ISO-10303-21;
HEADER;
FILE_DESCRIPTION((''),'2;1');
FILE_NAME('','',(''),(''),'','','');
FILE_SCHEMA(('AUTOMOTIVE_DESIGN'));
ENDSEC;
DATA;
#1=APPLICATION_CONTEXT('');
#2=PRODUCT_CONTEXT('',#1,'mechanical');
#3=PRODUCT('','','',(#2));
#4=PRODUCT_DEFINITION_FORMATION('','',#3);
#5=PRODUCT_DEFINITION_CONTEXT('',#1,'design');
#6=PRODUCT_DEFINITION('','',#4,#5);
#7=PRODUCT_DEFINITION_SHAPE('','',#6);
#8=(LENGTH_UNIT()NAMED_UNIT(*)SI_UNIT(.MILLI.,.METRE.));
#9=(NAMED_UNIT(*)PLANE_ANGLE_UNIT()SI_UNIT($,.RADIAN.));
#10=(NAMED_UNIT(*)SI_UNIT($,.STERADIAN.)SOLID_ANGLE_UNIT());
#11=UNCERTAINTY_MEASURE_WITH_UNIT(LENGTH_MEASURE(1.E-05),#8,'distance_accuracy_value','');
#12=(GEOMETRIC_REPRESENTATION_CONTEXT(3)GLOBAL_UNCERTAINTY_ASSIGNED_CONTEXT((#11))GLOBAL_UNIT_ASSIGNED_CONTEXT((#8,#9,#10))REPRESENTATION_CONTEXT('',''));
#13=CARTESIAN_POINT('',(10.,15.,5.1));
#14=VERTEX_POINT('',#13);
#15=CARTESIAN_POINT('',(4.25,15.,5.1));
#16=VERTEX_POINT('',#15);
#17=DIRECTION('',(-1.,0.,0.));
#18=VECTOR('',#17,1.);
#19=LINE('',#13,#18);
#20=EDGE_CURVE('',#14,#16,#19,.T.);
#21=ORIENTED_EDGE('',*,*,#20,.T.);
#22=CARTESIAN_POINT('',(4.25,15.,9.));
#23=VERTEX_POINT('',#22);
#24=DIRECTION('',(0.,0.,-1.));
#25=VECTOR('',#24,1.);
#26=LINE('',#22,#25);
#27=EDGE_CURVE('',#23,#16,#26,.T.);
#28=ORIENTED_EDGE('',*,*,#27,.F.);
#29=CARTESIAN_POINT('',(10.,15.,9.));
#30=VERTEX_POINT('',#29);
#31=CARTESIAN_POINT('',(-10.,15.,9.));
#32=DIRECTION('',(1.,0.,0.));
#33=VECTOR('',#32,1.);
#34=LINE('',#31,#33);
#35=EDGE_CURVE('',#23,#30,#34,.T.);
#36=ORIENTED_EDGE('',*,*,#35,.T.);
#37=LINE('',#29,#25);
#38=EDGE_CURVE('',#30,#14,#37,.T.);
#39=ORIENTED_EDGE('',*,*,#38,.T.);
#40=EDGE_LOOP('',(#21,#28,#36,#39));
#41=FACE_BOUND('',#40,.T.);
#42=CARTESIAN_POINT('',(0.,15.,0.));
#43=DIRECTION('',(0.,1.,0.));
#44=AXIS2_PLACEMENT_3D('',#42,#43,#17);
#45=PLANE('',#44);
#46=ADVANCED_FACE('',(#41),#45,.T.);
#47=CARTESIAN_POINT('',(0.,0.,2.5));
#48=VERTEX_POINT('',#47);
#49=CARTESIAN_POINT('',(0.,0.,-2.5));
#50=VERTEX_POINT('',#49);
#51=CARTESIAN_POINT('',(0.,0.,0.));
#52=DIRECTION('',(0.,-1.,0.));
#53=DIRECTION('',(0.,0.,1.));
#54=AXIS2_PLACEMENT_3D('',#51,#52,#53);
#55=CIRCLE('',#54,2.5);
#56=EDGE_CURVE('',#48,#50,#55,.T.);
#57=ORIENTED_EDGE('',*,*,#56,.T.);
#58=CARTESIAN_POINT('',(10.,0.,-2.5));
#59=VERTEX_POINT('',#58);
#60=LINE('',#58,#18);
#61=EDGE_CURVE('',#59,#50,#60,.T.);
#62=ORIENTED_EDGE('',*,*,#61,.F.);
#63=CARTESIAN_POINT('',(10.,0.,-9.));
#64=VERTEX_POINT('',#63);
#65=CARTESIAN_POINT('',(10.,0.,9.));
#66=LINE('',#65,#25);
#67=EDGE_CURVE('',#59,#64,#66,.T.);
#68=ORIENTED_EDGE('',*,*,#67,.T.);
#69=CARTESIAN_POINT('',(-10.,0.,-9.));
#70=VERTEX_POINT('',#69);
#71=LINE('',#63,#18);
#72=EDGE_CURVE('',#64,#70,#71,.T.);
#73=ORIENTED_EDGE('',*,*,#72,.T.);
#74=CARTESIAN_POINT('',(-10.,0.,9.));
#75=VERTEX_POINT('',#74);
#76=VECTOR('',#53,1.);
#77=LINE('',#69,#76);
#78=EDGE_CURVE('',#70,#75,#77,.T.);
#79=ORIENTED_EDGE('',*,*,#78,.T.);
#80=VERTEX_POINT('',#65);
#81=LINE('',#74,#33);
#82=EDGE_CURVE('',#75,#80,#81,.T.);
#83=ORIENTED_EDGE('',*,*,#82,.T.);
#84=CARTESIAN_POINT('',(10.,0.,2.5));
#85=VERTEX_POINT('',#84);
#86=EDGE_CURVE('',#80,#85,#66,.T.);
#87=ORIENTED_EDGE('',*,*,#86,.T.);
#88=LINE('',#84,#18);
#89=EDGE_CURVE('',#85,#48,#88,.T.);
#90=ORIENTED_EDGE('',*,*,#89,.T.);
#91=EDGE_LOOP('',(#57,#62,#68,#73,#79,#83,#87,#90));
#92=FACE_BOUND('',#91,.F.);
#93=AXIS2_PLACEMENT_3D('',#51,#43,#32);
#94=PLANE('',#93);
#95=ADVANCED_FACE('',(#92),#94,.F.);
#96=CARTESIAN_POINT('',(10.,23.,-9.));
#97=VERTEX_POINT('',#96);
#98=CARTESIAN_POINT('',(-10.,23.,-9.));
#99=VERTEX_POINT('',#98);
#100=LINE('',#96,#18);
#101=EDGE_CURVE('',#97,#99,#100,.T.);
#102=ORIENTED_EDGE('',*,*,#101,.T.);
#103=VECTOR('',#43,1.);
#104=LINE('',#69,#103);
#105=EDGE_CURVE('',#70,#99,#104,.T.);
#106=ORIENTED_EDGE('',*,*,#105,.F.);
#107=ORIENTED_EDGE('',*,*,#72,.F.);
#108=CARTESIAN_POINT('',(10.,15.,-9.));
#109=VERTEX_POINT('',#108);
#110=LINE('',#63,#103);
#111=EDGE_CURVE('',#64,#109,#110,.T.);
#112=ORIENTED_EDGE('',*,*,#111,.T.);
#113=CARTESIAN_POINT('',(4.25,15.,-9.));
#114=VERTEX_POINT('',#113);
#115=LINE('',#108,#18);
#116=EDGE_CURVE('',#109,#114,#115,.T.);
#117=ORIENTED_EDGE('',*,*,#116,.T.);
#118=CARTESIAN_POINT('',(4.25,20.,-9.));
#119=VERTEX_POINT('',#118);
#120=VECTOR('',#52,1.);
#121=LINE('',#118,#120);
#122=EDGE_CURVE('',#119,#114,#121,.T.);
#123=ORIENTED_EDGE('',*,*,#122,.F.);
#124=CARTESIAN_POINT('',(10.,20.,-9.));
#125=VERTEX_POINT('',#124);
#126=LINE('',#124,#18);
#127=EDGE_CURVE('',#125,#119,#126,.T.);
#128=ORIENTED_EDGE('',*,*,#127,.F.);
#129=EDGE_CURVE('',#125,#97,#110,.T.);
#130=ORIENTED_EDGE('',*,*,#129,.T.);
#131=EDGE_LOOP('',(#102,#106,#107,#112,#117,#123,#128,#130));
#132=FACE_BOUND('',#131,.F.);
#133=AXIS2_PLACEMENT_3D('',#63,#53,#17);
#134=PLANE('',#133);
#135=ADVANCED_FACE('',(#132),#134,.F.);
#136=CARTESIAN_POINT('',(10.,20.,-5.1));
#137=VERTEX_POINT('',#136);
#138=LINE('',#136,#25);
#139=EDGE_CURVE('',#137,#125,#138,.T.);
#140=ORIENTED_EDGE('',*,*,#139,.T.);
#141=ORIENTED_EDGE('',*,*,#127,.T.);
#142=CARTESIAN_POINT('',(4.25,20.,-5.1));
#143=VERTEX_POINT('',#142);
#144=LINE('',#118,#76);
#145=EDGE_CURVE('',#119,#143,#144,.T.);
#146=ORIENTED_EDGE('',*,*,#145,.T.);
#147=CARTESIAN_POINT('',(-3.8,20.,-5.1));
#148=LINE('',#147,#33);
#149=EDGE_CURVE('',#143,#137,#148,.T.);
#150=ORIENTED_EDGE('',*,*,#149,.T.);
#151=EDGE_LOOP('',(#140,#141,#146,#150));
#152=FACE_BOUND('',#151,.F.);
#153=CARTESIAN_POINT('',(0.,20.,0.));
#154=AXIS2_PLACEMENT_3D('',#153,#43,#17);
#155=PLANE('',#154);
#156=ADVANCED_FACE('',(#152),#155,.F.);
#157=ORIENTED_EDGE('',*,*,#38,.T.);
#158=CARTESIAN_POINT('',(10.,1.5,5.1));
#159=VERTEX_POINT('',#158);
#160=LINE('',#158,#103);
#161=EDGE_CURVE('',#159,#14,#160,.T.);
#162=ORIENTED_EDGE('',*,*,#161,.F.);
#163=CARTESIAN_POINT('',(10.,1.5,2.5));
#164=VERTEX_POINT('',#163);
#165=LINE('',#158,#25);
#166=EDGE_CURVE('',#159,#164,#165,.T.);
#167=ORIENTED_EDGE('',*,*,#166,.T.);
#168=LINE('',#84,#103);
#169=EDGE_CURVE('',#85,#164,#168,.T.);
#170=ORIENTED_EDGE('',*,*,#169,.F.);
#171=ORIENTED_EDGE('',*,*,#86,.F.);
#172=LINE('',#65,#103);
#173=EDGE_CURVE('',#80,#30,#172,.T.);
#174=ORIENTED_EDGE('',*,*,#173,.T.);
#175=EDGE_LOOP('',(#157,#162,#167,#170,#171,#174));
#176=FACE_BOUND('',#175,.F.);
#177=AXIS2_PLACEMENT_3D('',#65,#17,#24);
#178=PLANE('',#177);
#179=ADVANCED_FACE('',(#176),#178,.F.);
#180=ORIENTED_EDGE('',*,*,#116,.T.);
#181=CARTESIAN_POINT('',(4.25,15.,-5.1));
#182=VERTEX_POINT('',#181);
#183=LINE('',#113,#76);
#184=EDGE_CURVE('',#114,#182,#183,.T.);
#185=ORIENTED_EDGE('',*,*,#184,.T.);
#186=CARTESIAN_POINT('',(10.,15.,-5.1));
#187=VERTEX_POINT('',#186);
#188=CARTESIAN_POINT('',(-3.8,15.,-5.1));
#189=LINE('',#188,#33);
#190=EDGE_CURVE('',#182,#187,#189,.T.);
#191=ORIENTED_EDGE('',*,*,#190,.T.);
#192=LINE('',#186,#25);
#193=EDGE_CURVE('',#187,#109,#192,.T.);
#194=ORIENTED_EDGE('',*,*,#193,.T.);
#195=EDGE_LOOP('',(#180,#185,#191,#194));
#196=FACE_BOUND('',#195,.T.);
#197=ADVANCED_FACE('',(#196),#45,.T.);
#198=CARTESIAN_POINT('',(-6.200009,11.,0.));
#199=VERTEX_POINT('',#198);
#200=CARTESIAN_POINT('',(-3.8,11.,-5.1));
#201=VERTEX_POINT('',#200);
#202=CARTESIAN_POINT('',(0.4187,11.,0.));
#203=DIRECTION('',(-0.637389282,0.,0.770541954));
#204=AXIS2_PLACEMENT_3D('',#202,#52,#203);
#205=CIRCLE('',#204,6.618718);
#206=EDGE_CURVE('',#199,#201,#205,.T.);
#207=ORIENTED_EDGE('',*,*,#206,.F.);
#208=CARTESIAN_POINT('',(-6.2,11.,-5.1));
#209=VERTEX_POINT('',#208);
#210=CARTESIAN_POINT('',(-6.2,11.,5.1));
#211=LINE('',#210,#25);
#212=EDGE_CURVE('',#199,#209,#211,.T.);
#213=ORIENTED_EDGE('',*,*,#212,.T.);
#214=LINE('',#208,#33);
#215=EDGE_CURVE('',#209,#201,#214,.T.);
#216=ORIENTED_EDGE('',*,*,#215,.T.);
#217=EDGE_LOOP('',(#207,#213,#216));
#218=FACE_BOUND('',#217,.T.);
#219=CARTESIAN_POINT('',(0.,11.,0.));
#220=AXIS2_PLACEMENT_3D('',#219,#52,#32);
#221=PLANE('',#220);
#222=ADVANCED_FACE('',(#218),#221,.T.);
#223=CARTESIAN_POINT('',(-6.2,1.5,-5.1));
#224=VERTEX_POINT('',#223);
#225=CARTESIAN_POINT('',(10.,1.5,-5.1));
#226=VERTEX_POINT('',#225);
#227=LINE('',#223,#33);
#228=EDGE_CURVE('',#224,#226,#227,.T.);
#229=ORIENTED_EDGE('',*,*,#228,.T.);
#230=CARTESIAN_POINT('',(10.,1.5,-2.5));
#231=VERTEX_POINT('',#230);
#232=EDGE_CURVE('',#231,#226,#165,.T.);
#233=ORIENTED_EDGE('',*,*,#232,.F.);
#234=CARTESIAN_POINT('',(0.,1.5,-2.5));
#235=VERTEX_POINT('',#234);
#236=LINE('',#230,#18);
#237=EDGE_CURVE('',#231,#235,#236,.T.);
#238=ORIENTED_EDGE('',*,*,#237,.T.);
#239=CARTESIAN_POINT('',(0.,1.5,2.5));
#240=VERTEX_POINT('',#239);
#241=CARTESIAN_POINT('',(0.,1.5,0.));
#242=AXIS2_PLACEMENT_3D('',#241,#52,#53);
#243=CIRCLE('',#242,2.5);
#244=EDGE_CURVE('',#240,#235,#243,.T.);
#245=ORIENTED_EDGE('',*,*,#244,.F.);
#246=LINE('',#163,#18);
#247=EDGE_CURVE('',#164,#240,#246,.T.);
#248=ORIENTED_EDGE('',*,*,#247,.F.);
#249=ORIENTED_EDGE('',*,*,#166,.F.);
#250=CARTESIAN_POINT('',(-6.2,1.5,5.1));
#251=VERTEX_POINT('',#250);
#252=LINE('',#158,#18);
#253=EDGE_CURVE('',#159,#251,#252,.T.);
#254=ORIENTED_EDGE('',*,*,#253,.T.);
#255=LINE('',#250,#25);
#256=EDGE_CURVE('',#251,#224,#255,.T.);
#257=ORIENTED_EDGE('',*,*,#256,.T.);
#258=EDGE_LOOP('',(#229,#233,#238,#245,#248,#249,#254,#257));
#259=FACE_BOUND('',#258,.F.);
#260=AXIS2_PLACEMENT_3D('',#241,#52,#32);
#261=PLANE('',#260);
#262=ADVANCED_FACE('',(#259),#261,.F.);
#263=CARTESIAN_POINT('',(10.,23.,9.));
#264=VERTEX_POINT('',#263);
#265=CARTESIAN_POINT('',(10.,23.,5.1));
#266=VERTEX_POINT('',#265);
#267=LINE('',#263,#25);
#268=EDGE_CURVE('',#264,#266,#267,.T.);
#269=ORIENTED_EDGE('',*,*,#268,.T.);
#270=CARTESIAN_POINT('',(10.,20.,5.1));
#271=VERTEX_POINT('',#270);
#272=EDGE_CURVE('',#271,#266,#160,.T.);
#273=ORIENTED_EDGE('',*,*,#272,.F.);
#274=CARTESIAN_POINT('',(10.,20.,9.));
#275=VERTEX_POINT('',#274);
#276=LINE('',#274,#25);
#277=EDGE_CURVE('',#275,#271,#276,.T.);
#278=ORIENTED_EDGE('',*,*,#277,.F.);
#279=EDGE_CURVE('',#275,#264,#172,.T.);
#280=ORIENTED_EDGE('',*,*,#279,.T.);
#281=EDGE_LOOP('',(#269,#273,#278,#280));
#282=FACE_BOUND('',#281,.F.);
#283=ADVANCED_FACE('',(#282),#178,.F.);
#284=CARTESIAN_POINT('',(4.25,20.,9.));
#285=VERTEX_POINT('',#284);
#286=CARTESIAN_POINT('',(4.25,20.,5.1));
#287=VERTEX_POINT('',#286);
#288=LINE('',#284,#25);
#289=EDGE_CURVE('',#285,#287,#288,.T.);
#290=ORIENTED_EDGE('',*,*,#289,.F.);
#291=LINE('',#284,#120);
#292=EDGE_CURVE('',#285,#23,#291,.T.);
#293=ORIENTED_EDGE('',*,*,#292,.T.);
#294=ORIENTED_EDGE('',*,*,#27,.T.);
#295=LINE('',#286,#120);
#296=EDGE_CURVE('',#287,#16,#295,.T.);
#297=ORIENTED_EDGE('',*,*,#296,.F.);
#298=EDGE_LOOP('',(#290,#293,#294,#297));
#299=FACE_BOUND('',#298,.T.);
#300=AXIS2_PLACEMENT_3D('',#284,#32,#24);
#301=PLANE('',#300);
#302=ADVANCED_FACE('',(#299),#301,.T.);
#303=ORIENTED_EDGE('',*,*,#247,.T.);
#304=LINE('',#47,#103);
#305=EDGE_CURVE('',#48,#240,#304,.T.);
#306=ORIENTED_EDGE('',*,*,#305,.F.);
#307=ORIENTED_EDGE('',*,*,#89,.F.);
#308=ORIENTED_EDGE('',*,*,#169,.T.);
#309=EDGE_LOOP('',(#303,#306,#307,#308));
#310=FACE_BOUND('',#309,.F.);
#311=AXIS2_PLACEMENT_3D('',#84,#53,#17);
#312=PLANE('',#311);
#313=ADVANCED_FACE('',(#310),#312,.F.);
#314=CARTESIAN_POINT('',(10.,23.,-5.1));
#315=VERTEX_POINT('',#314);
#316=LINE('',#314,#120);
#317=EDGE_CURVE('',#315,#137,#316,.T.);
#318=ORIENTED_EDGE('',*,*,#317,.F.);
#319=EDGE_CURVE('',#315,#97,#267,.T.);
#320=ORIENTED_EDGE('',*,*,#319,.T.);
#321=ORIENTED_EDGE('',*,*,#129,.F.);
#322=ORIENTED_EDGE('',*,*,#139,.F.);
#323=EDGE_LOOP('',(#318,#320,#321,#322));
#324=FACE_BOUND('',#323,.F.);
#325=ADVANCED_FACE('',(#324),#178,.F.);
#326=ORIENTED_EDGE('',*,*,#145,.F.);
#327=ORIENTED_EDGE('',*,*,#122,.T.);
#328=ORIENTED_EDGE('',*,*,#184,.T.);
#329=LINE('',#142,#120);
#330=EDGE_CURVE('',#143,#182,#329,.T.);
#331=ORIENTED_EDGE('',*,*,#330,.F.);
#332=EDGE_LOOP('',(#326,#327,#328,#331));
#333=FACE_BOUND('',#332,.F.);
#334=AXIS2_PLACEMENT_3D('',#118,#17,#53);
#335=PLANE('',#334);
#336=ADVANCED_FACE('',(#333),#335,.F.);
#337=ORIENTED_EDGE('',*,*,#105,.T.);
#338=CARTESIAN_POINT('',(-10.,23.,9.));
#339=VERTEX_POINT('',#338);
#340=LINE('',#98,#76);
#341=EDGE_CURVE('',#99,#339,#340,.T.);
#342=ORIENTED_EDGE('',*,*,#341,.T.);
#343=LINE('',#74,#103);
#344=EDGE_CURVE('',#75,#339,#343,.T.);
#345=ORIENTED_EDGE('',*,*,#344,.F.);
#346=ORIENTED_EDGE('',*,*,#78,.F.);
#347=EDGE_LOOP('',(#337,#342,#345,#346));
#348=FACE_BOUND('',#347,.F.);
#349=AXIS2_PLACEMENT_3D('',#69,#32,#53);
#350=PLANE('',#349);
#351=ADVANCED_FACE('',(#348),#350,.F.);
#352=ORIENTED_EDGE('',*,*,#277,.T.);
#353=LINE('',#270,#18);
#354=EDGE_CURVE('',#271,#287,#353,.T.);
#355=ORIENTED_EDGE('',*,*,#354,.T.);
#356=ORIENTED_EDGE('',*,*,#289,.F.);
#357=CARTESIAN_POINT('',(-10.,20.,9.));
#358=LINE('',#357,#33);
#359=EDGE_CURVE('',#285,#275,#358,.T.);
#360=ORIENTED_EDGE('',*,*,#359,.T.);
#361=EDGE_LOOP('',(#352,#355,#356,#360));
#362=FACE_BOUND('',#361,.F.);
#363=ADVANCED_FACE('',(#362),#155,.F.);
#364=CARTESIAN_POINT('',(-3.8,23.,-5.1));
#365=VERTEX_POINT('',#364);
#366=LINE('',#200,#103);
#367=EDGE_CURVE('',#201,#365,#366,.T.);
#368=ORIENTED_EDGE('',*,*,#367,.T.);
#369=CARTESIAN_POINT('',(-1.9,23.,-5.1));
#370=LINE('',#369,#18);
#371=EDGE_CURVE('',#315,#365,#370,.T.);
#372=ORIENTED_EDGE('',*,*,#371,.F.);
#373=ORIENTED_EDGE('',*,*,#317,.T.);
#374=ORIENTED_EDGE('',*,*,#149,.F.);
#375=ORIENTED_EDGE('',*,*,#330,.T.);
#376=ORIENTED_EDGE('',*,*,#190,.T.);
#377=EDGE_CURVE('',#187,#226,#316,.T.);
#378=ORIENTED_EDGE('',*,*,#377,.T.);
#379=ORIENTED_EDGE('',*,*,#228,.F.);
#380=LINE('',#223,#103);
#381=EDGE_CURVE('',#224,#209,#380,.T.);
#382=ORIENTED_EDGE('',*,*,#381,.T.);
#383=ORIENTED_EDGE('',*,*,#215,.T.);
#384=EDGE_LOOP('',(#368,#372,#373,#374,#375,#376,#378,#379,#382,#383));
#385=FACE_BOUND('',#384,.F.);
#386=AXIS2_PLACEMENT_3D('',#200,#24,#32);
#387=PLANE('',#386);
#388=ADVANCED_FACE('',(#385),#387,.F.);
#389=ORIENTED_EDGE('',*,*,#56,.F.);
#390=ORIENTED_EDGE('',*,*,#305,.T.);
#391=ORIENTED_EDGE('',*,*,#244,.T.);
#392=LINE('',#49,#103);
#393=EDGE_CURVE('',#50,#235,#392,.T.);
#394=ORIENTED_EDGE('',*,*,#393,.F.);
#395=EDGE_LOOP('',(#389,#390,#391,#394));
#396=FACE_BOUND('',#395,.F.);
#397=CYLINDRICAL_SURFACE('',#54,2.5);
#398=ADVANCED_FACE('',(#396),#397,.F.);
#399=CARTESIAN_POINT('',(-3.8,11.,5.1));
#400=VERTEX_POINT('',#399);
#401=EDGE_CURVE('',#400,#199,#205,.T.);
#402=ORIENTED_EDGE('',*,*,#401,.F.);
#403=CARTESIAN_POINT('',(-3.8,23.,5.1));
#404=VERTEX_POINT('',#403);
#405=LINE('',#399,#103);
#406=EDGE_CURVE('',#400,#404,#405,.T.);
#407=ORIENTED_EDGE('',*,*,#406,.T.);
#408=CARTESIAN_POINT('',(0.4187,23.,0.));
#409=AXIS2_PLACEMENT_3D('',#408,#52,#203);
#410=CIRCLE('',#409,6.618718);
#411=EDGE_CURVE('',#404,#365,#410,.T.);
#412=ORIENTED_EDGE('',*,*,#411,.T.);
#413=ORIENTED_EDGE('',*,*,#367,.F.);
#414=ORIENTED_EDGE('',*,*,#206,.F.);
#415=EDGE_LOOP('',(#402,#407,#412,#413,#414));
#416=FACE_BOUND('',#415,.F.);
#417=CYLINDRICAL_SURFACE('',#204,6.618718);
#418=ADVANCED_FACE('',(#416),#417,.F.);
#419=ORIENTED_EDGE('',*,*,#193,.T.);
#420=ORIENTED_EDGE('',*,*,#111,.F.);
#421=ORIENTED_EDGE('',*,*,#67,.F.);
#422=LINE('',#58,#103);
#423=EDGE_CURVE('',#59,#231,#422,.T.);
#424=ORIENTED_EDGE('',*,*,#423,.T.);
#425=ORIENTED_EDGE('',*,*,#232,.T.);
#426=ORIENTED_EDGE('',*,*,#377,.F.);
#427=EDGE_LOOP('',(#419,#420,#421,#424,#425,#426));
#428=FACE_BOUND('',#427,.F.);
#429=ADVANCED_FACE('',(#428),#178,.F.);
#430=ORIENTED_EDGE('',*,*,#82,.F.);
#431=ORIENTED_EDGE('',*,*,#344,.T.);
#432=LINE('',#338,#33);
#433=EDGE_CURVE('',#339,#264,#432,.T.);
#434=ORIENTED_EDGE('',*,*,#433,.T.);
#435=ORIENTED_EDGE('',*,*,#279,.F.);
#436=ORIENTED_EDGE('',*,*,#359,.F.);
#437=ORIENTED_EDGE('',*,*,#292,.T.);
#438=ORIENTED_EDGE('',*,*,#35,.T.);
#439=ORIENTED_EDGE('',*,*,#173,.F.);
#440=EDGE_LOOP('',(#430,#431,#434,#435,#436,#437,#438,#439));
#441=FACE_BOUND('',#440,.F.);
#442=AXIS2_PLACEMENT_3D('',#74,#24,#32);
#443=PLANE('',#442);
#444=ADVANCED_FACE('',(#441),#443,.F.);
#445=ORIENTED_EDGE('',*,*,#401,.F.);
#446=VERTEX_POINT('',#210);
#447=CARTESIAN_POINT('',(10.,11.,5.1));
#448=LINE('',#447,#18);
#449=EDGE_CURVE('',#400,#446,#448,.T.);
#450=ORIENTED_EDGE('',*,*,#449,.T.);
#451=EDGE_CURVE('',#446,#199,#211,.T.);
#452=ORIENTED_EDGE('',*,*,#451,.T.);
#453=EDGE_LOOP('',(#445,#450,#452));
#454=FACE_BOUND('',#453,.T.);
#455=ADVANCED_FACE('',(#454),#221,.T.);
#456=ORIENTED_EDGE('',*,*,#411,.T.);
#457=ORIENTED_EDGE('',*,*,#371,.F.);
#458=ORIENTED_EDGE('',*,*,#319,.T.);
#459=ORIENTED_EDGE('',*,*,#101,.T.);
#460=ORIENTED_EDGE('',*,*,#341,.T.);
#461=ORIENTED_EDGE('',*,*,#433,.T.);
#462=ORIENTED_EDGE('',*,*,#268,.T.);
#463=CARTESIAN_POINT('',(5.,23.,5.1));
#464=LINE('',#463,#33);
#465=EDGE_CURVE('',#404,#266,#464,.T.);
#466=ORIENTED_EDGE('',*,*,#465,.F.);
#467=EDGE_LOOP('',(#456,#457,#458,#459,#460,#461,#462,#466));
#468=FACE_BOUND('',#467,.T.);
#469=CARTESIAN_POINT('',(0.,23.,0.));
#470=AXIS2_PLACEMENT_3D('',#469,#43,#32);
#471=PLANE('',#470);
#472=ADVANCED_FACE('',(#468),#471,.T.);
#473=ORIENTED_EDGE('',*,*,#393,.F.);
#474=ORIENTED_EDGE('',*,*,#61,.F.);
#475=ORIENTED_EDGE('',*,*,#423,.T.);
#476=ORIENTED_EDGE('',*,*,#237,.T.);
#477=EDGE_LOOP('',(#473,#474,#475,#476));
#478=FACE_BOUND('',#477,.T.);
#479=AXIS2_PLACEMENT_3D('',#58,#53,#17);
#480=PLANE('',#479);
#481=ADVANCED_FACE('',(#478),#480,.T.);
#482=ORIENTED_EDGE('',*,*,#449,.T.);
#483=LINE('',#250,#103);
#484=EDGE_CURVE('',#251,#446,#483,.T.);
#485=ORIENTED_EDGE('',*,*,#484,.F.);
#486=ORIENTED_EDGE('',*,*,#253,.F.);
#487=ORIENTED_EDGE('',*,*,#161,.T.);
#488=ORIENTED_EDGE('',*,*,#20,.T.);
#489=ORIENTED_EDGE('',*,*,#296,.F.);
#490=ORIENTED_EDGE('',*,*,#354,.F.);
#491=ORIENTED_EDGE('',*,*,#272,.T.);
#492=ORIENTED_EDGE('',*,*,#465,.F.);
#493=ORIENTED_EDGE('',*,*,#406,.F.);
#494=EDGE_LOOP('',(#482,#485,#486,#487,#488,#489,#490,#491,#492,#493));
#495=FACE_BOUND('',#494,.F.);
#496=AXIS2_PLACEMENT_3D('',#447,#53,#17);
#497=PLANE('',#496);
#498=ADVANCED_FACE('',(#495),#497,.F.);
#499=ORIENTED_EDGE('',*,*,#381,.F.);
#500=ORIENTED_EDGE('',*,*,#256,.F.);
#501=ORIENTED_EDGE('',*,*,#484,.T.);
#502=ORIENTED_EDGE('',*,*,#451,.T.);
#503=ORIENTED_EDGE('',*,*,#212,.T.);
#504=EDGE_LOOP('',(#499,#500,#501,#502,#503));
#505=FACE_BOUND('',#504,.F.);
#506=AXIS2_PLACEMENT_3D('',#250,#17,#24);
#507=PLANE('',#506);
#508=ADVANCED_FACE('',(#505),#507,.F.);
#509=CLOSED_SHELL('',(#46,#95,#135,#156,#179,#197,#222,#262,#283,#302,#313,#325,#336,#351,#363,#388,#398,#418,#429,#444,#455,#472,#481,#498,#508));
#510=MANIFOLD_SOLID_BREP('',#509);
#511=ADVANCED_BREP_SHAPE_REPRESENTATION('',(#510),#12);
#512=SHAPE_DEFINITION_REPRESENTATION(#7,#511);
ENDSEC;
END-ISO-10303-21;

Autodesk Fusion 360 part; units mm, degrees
sketch "Sketch1" plane through (0, 0, 0) normal (0, 1, 0) x (1, 0, 0)
  line L0 (-10, -9) -> (10, -9)
  line L1 (10, -9) -> (10, 9)
  line L2 (10, 9) -> (-10, 9)
  line L3 (-10, 9) -> (-10, -9)
  line L4 (-10, 0) -> (10, 0) construction
  line L5 (0, 9) -> (0, -9) construction
  dimension "d1" = 18
  dimension "d2" = 20
extrude "Extrude1" add sketch "Sketch1" along normal blind 23
sketch "Sketch2" plane through (0, 0, 0) normal (0, -1, 0) x (1, 0, 0)
  line L0 (-10, 9) -> (-10, -9)
  line L1 (-10, -9) -> (10, -9)
  line L2 (10, -9) -> (10, 9)
  line L3 (10, 9) -> (-10, 9)
  line L4 (10, 2.5) -> (0, 2.5)
  line L5 (10, -2.5) -> (0, -2.5)
  arc A0 (0, 2.5) -> (0, -2.5) centre (0, 0) ccw
  line L6 (10, 2.5) -> (10, -2.5)
  dimension "d5" = 2.5
extrude "Extrude2" cut sketch "Sketch2" against normal blind 1.5 contours L2 L4 L5 A0 L6
sketch "Sketch3" plane through (0, 1.5, 0) normal (0, -1, 0) x (1, 0, 0)
  arc A0 (0, 2.5) -> (0, -2.5) centre (0, 0) ccw
  line L0 (0, -2.5) -> (10, -2.5)
  line L1 (10, -2.5) -> (10, 2.5)
  line L2 (10, 2.5) -> (0, 2.5)
  line L3 (10, 5.1) -> (-6.2, 5.1)
  line L4 (-6.2, 5.1) -> (-6.2, -5.1)
  line L5 (-6.2, -5.1) -> (10, -5.1)
  line L6 (10, -5.1) -> (10, 5.1)
  line L7 (-6.2, 0) -> (10, 0) construction
  dimension "d9" = 10.2
  dimension "d10" = 6.2
extrude "Extrude3" cut sketch "Sketch3" against normal blind 9.5
sketch "Sketch4" plane through (0, 11, 0) normal (0, -1, 0) x (1, 0, 0)
  line L0 (10, -5.1) -> (10, 5.1)
  line L1 (10, 5.1) -> (-6.2, 5.1)
  line L2 (-6.2, 5.1) -> (-6.2, -5.1)
  line L3 (-6.2, -5.1) -> (10, -5.1)
  arc A0 (-3.8, 5.1) -> (-3.8, -5.1) centre (0.4187, 0) ccw
  line L4 (-3.8, 5.1) -> (10, 5.1)
  line L5 (10, -5.1) -> (-3.8, -5.1)
  dimension "d13" = 2.4
extrude "Extrude4" cut sketch "Sketch4" against normal through all contours L0 L1 L3 A0 L4 L5
sketch "Sketch6" plane through (0, 23, 0) normal (0, 1, 0) x (-1, 0, 0)
  line L0 (3.8, -5.1) -> (-10, -5.1)
  line L1 (-10, -5.1) -> (-10, -9)
  line L2 (-10, -9) -> (10, -9)
  line L3 (10, -9) -> (10, 9)
  line L4 (10, 9) -> (-10, 9)
  line L5 (-10, 9) -> (-10, 5.1)
  line L6 (-10, 5.1) -> (3.8, 5.1)
  arc A0 (3.8, -5.1) -> (3.8, 5.1) centre (-0.4187, 0) ccw
  line L7 (-10, 9) -> (-4.25, 9)
  line L8 (-4.25, 9) -> (-4.25, 5.1)
  line L9 (-4.25, 5.1) -> (-10, 5.1)
  line L10 (-10, 5.1) -> (-10, 9)
  line L11 (-2.5, 0) -> (-20, 0)
  line L12 (-4.25, -9) -> (-4.25, -5.1)
  line L13 (-10, -9) -> (-4.25, -9)
  line L14 (-10, -5.1) -> (-10, -9)
  line L15 (-4.25, -5.1) -> (-10, -5.1)
  dimension "d17" = 5.75
extrude "Extrude5" cut sketch "Sketch6" against normal blind 5 from surface at -3 contours L0 L1 L2 L12 L13 L14 L15 | L4 L5 L6 L7 L8 L9 L10
